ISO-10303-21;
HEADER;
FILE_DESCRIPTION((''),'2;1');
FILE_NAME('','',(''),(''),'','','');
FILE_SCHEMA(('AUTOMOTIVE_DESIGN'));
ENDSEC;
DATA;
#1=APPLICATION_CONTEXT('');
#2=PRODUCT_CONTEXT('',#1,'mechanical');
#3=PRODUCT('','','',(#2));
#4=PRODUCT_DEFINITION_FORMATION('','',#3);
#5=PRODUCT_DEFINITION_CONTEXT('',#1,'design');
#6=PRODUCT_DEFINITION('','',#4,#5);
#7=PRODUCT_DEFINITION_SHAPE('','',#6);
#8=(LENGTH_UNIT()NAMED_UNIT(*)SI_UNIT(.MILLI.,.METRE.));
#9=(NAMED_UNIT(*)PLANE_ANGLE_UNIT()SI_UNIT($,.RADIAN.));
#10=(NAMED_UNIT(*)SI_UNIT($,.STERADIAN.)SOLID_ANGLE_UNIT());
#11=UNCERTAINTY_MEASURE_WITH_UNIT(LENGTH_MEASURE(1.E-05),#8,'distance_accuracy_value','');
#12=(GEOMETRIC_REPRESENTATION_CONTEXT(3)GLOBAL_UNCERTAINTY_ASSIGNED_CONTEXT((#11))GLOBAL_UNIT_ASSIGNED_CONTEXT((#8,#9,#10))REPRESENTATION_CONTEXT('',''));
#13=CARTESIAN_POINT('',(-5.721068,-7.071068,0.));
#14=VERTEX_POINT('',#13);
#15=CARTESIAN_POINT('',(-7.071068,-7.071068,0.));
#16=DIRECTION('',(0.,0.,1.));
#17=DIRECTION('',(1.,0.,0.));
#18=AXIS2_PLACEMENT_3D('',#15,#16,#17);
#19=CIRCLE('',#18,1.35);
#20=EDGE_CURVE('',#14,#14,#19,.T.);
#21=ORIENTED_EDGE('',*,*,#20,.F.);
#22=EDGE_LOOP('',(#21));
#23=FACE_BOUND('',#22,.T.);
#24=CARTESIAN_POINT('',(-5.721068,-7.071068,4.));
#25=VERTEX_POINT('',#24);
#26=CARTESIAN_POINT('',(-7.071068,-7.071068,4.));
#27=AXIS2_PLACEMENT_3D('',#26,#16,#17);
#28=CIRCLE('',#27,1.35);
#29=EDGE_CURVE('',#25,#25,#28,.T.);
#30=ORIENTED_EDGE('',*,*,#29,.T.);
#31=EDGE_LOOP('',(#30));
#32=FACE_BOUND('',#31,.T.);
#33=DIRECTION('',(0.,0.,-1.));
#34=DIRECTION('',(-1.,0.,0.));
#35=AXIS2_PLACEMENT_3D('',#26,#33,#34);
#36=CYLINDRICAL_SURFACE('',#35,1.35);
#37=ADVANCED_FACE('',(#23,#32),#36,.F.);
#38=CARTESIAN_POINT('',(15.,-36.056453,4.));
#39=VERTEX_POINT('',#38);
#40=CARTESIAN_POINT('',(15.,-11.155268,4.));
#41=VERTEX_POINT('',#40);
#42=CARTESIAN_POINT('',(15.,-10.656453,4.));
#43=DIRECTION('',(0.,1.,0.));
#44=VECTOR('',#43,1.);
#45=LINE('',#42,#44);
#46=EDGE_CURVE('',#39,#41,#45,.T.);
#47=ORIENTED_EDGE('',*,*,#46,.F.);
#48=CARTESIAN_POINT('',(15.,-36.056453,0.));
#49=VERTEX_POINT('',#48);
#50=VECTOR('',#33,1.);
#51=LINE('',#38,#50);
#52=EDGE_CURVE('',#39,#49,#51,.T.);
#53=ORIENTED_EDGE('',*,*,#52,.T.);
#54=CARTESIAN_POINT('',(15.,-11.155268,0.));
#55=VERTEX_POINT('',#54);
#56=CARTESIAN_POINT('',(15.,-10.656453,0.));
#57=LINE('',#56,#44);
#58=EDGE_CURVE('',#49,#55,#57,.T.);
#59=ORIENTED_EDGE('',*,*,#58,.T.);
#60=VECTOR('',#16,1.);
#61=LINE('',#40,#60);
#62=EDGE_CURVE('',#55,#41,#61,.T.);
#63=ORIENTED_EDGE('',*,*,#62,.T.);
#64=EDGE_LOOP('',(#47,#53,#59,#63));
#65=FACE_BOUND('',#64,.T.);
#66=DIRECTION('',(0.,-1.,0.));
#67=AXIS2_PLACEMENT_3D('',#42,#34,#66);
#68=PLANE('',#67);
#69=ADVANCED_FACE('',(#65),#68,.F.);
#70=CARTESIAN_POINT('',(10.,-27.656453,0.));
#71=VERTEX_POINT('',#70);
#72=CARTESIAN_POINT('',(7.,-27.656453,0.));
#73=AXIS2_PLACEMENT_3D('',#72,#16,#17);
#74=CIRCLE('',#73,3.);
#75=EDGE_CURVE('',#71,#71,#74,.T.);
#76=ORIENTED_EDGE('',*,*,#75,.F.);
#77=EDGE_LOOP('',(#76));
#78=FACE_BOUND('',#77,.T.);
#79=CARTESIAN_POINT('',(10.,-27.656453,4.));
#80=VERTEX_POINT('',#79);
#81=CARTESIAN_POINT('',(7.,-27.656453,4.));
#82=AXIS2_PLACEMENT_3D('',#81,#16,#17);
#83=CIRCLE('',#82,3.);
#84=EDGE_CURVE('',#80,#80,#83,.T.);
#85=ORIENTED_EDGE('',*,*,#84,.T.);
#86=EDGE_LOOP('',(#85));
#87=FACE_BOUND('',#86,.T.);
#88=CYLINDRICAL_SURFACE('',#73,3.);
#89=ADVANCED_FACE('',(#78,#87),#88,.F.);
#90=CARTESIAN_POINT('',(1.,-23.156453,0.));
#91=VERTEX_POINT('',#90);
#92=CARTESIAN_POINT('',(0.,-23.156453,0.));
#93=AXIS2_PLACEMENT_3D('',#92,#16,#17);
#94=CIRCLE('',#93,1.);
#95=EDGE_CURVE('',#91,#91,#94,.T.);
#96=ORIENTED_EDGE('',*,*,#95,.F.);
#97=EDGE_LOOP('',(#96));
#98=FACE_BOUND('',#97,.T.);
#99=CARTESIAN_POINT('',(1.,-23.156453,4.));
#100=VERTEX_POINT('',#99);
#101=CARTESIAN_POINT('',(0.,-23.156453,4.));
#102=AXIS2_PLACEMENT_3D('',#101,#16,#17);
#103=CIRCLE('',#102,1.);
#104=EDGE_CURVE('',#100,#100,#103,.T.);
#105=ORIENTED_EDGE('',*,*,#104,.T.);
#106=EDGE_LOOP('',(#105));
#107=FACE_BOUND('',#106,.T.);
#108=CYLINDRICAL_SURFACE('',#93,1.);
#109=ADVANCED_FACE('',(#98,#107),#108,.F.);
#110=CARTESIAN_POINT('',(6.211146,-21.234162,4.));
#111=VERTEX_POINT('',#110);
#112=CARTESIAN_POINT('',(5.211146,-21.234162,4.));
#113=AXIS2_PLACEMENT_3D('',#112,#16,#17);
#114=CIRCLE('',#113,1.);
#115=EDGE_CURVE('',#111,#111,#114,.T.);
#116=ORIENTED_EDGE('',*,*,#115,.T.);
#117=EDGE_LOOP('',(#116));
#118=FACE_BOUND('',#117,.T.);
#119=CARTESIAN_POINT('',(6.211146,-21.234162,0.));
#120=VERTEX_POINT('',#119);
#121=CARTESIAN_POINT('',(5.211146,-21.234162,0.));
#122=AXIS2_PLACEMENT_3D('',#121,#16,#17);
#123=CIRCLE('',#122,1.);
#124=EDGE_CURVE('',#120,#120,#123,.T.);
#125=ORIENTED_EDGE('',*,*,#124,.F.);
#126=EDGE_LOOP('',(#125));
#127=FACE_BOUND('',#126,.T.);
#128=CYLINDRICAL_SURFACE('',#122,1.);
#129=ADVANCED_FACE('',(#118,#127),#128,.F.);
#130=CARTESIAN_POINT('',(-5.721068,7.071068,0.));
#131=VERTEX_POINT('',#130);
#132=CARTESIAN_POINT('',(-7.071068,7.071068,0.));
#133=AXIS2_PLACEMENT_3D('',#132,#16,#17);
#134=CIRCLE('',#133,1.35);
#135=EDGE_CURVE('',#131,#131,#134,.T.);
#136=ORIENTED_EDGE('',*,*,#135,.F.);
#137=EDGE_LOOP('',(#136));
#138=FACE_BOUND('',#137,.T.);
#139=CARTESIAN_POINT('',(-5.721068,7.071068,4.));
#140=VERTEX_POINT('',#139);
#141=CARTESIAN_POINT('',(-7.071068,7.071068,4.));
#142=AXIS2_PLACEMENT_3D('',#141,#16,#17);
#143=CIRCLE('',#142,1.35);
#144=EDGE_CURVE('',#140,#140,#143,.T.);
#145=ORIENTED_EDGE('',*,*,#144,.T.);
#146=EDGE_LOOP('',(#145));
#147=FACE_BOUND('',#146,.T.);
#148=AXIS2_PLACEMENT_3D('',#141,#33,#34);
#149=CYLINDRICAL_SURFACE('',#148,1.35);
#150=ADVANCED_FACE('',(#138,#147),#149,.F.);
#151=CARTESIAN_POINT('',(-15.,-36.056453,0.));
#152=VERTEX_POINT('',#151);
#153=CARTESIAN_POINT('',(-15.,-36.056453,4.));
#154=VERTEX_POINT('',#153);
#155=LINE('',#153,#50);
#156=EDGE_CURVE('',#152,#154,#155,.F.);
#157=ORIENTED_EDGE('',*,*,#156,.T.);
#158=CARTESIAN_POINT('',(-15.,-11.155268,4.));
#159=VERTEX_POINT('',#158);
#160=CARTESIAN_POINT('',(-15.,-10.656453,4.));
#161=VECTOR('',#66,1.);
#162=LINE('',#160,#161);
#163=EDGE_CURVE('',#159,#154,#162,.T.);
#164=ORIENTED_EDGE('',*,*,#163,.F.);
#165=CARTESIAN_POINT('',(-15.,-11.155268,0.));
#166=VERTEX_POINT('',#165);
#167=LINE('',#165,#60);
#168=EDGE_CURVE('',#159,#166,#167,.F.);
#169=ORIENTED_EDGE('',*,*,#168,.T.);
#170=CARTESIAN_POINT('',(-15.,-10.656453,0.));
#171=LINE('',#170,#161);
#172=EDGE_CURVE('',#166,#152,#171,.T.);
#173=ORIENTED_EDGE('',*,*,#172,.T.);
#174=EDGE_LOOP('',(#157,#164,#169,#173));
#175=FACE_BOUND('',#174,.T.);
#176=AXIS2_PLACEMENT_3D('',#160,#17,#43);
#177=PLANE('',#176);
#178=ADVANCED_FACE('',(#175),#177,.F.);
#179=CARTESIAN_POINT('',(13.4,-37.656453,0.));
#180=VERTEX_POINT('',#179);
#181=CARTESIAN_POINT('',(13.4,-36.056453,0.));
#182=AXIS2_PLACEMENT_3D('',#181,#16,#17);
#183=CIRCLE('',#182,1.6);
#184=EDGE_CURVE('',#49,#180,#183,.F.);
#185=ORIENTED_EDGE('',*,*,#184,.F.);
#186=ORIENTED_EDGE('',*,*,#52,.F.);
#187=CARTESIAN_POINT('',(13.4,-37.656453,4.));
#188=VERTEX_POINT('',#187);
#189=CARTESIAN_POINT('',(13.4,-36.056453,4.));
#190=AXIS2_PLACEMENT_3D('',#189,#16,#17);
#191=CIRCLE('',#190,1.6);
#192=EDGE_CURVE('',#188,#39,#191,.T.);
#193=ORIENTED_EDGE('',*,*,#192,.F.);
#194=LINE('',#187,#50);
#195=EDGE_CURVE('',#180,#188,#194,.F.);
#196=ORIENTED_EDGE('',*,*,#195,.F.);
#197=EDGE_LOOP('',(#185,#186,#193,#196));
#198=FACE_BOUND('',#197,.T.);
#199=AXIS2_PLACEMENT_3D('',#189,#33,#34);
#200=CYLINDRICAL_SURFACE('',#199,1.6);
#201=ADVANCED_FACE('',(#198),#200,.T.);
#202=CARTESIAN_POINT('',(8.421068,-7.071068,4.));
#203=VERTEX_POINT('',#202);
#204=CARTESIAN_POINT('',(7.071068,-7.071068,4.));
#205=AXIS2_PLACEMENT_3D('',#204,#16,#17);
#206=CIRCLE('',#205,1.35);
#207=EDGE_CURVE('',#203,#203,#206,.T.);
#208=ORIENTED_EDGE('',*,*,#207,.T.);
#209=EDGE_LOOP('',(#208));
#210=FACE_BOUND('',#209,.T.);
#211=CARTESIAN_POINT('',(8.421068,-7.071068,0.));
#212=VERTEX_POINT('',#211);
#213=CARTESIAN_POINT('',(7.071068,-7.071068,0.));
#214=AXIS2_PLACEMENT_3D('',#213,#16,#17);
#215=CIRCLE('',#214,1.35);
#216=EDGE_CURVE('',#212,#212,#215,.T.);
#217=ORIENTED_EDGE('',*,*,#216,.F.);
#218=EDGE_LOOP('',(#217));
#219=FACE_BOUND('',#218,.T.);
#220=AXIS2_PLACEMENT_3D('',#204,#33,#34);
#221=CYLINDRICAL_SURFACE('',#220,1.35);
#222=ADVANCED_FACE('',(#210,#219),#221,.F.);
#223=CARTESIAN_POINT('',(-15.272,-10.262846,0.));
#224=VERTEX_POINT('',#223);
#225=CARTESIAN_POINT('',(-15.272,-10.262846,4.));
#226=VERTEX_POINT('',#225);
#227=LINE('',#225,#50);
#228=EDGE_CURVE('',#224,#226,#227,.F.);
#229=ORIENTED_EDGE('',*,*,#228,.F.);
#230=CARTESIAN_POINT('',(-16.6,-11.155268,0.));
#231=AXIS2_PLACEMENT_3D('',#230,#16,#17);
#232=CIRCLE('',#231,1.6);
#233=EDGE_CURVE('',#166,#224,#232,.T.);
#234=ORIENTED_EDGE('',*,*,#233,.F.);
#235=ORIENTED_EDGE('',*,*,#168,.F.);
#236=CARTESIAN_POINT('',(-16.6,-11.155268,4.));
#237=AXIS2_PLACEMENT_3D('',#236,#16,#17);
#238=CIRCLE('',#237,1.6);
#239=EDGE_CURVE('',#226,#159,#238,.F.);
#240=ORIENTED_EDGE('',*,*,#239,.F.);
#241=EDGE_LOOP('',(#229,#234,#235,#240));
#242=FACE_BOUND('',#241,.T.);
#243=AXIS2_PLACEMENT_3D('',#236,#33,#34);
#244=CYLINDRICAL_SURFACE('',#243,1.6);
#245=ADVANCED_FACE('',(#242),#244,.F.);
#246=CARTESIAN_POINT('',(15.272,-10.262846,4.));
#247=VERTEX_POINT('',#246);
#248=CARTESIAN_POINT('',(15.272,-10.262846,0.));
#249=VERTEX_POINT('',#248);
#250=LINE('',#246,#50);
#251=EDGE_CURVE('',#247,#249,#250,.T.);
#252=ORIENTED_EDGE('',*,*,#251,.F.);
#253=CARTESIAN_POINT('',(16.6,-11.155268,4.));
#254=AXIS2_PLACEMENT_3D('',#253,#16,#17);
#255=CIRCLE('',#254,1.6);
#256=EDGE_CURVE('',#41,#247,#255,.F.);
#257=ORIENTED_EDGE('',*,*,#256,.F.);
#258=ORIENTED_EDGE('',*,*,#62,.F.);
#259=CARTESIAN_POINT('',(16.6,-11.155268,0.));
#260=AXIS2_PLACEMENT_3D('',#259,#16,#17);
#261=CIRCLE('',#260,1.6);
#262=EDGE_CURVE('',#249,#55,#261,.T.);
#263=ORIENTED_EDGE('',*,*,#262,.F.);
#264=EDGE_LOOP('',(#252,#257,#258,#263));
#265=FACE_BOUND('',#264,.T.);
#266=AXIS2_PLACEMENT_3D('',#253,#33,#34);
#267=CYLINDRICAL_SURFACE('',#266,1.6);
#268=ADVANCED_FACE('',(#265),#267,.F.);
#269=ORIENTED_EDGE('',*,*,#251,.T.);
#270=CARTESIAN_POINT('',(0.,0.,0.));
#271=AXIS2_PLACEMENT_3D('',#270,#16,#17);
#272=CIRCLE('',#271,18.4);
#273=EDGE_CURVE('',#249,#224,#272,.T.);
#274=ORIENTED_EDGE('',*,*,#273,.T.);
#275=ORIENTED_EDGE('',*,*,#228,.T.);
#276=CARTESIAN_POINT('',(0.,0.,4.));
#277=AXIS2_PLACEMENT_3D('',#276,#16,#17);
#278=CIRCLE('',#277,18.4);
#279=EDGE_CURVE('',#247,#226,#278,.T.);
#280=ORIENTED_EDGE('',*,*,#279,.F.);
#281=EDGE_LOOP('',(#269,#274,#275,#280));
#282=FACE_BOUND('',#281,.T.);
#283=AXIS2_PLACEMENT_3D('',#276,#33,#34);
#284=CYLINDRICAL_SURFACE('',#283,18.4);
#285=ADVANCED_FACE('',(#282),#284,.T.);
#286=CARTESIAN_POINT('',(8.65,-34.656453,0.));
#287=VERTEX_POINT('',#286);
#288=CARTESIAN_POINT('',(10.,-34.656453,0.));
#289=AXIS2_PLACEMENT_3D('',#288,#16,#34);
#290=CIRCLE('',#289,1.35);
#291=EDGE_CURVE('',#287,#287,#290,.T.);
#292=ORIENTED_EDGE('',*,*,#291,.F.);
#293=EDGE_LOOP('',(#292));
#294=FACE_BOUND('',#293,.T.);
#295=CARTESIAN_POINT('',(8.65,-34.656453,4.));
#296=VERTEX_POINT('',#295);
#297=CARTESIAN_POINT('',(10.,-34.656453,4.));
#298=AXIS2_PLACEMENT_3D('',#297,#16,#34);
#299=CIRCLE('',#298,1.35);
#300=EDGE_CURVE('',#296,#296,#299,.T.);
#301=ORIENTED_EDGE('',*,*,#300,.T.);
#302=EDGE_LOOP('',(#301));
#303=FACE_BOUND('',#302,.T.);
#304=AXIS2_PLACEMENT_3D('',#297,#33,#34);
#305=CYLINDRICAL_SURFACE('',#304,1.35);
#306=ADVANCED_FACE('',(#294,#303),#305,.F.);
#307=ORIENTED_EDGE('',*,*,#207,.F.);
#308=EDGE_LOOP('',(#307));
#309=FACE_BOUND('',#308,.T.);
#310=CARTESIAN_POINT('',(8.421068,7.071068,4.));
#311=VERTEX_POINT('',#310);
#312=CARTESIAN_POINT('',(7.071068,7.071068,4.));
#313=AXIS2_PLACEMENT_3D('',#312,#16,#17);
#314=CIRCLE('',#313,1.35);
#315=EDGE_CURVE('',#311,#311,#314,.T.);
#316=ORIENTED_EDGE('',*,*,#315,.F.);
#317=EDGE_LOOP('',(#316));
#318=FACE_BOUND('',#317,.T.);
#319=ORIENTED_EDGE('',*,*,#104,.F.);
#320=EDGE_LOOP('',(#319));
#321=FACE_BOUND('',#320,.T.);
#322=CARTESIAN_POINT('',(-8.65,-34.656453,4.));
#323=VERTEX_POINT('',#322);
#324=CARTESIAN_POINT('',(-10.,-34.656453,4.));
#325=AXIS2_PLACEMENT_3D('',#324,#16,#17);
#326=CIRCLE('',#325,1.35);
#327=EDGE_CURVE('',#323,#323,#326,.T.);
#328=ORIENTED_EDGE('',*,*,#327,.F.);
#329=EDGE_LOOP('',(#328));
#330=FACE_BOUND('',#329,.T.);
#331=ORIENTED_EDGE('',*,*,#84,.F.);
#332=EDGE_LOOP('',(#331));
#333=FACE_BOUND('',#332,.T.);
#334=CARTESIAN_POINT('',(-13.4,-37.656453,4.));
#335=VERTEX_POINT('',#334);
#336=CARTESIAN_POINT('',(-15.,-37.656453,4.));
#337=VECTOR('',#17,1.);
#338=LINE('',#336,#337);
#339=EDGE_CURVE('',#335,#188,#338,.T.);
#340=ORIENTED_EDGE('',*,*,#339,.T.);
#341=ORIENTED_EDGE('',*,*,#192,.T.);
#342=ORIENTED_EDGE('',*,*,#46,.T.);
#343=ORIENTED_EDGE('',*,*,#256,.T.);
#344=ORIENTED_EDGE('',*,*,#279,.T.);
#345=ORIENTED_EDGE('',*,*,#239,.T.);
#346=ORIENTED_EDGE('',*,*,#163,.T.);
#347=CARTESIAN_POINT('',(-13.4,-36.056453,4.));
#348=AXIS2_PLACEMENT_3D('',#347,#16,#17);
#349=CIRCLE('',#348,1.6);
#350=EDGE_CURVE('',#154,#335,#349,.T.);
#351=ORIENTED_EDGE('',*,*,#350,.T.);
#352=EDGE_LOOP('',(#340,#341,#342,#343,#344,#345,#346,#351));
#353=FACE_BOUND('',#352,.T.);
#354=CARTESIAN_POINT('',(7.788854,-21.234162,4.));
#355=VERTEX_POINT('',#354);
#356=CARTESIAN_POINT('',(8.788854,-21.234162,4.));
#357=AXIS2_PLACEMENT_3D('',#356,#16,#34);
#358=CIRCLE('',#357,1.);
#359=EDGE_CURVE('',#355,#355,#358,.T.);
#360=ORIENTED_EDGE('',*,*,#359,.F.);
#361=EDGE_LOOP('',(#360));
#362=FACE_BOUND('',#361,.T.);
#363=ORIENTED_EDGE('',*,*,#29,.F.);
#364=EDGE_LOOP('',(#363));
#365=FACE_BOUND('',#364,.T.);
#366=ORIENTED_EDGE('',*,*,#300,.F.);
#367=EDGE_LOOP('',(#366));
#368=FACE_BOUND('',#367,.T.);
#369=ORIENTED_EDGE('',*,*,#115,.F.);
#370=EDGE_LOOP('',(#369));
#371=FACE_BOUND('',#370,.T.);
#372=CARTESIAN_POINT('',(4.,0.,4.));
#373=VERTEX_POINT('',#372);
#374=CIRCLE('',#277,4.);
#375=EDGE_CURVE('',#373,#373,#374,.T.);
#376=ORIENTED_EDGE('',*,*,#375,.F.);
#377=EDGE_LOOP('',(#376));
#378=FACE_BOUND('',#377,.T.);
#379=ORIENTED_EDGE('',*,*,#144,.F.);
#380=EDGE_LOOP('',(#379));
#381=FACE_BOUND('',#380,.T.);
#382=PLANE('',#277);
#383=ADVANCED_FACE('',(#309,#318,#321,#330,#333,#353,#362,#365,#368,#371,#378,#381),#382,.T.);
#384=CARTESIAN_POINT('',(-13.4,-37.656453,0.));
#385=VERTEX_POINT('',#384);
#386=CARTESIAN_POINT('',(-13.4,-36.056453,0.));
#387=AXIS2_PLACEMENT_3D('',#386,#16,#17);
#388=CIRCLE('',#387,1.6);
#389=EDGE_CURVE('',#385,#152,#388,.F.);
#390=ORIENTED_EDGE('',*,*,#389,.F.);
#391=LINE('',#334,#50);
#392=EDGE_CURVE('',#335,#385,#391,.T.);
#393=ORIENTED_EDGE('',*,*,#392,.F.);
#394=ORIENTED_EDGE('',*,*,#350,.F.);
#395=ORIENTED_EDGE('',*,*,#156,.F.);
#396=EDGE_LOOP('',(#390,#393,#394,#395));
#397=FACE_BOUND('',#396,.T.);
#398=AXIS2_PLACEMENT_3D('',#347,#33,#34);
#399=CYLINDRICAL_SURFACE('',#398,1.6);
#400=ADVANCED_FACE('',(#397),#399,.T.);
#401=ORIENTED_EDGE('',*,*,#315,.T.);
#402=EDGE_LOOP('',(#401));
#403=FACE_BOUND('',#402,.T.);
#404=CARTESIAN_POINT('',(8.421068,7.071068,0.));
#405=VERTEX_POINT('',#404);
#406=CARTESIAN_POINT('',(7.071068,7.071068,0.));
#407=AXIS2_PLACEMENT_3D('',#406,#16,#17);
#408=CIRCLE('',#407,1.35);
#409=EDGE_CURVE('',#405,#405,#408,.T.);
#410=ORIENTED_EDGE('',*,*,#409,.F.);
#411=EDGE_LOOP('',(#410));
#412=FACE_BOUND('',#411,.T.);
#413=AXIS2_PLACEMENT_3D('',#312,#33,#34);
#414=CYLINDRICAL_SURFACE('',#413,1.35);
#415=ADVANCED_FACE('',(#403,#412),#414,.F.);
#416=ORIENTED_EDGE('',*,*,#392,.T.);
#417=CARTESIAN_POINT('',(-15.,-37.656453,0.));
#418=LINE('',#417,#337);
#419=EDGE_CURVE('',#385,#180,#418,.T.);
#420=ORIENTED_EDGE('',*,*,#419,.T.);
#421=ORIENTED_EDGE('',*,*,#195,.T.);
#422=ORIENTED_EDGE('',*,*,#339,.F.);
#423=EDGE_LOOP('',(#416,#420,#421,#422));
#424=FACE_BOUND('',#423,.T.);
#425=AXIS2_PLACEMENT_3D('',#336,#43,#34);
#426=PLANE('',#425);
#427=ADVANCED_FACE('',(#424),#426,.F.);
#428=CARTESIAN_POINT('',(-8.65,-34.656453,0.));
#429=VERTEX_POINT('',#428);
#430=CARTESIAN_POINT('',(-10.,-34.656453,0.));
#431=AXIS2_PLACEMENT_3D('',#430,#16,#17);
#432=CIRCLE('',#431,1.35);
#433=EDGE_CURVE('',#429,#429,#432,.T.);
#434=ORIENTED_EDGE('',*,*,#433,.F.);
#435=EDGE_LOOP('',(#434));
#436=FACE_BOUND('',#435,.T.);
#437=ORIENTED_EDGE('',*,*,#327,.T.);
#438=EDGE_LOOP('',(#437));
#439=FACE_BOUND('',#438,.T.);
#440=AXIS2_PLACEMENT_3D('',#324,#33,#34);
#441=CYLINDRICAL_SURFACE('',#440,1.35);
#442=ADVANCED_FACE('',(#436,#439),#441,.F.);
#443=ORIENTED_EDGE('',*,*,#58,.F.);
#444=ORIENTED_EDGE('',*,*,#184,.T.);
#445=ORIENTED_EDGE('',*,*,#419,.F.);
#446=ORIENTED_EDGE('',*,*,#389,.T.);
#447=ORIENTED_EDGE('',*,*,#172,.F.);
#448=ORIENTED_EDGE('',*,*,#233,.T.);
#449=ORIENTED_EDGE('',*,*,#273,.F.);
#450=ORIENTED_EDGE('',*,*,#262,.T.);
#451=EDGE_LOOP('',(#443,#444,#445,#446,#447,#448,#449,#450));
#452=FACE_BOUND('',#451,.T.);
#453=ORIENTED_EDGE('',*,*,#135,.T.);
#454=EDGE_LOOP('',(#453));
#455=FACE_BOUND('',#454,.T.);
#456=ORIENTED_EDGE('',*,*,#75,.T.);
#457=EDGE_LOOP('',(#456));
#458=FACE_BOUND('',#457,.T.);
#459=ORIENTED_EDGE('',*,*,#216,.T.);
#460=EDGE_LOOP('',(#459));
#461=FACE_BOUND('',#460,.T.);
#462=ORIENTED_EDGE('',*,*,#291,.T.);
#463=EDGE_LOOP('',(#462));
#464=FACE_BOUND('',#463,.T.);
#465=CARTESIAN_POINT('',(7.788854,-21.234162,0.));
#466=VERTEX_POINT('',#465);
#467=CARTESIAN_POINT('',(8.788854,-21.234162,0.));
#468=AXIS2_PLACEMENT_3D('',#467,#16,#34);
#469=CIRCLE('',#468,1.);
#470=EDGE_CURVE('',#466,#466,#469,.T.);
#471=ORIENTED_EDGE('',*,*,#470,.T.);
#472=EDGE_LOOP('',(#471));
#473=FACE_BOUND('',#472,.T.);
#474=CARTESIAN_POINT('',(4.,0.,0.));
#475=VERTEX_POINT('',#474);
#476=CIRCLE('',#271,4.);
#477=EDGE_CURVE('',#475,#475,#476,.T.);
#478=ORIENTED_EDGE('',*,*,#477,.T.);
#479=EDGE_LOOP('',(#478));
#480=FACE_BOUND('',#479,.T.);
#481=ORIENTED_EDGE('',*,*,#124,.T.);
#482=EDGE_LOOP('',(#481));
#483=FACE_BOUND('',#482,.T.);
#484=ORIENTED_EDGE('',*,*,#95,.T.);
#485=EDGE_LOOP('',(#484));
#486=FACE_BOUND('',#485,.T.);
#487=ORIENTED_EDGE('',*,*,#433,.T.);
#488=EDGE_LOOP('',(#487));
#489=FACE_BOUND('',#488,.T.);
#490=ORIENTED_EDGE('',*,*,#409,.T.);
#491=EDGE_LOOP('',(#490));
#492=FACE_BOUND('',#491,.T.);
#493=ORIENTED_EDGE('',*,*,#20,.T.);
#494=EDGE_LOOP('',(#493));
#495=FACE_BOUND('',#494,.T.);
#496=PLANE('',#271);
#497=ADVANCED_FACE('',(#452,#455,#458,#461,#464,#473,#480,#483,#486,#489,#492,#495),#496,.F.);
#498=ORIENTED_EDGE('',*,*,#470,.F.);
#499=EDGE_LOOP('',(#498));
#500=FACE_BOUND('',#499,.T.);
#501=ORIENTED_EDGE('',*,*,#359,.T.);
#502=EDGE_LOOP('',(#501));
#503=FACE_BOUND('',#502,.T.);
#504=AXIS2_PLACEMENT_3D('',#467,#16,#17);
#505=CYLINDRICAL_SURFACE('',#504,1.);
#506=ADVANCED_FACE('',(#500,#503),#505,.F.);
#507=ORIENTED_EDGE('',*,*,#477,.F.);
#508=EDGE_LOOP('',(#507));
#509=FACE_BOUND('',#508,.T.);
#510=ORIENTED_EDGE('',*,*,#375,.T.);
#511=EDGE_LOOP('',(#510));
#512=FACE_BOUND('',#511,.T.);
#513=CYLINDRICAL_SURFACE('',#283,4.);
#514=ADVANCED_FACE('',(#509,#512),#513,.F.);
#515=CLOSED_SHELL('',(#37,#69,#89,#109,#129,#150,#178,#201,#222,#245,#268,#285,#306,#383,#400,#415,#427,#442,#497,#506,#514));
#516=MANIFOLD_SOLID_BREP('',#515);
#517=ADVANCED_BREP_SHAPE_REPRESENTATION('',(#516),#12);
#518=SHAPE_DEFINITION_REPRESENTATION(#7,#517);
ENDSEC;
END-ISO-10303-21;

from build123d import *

# Parameters (mm, degrees)
CROQUIS1_R              = 1.35
CROQUIS1_R_2            = 4
SALIENTE_EXTRUIR1_DEPTH = 4
CROQUIS2_R              = 3
CROQUIS2_R_2            = 1
CORTAR_EXTRUIR1_DEPTH   = 4
REDONDEO1_R             = 1.6
CROQUIS3_R              = 1
CORTAR_EXTRUIR2_DEPTH   = 4


with BuildPart() as part:
    # Croquis1 → Saliente-Extruir1 (new body)
    with BuildSketch(Plane.XY):
        with BuildLine():
            Line((-15, -10.656453444), (-15, -37.656453444))
            Line((-15, -37.656453444), (15, -37.656453444))
            Line((15, -37.656453444), (15, -10.656453444))
            ThreePointArc((15, -10.656453444), (0, 18.4), (-15, -10.656453444))
        make_face()
        with Locations((-7.071067812, -7.071067812)):
            Circle(CROQUIS1_R, mode=Mode.SUBTRACT)
        with Locations((-7.071067812, 7.071067812)):
            Circle(CROQUIS1_R, mode=Mode.SUBTRACT)
        with Locations((7.071067812, 7.071067812)):
            Circle(CROQUIS1_R, mode=Mode.SUBTRACT)
        with Locations((7.071067812, -7.071067812)):
            Circle(CROQUIS1_R, mode=Mode.SUBTRACT)
        Circle(CROQUIS1_R_2, mode=Mode.SUBTRACT)
        with Locations((-10, -34.656453444)):
            Circle(CROQUIS1_R, mode=Mode.SUBTRACT)
        with Locations(Location((10, -34.656453444, 0), (0, 0, 180))):
            Circle(CROQUIS1_R, mode=Mode.SUBTRACT)
    extrude(amount=SALIENTE_EXTRUIR1_DEPTH)

    # Croquis2 → Cortar-Extruir1 (cut)
    with BuildSketch(Plane.XY.offset(4)):
        with Locations((7, -27.656453444)):
            Circle(CROQUIS2_R)
        with Locations((5.211145618, -21.234162208)):
            Circle(CROQUIS2_R_2)
        with Locations(Location((8.788854382, -21.234162208, 0), (0, 0, 180))):
            Circle(CROQUIS2_R_2)
    extrude(amount=-CORTAR_EXTRUIR1_DEPTH, mode=Mode.SUBTRACT)

    # Redondeo1
    redondeo1_edges = [part.edges().sort_by_distance(p)[0] for p in [
        (15, -10.656453444, 2),
        (15, -37.656453444, 2),
        (-15, -37.656453444, 2),
        (-15, -10.656453444, 2),
    ]]
    fillet(redondeo1_edges, radius=REDONDEO1_R)

    # Croquis3 → Cortar-Extruir2 (cut)
    with BuildSketch(Plane.XY.offset(4)):
        with Locations((0, -23.156453444)):
            Circle(CROQUIS3_R)
    extrude(amount=-CORTAR_EXTRUIR2_DEPTH, mode=Mode.SUBTRACT)


solid = part.part
